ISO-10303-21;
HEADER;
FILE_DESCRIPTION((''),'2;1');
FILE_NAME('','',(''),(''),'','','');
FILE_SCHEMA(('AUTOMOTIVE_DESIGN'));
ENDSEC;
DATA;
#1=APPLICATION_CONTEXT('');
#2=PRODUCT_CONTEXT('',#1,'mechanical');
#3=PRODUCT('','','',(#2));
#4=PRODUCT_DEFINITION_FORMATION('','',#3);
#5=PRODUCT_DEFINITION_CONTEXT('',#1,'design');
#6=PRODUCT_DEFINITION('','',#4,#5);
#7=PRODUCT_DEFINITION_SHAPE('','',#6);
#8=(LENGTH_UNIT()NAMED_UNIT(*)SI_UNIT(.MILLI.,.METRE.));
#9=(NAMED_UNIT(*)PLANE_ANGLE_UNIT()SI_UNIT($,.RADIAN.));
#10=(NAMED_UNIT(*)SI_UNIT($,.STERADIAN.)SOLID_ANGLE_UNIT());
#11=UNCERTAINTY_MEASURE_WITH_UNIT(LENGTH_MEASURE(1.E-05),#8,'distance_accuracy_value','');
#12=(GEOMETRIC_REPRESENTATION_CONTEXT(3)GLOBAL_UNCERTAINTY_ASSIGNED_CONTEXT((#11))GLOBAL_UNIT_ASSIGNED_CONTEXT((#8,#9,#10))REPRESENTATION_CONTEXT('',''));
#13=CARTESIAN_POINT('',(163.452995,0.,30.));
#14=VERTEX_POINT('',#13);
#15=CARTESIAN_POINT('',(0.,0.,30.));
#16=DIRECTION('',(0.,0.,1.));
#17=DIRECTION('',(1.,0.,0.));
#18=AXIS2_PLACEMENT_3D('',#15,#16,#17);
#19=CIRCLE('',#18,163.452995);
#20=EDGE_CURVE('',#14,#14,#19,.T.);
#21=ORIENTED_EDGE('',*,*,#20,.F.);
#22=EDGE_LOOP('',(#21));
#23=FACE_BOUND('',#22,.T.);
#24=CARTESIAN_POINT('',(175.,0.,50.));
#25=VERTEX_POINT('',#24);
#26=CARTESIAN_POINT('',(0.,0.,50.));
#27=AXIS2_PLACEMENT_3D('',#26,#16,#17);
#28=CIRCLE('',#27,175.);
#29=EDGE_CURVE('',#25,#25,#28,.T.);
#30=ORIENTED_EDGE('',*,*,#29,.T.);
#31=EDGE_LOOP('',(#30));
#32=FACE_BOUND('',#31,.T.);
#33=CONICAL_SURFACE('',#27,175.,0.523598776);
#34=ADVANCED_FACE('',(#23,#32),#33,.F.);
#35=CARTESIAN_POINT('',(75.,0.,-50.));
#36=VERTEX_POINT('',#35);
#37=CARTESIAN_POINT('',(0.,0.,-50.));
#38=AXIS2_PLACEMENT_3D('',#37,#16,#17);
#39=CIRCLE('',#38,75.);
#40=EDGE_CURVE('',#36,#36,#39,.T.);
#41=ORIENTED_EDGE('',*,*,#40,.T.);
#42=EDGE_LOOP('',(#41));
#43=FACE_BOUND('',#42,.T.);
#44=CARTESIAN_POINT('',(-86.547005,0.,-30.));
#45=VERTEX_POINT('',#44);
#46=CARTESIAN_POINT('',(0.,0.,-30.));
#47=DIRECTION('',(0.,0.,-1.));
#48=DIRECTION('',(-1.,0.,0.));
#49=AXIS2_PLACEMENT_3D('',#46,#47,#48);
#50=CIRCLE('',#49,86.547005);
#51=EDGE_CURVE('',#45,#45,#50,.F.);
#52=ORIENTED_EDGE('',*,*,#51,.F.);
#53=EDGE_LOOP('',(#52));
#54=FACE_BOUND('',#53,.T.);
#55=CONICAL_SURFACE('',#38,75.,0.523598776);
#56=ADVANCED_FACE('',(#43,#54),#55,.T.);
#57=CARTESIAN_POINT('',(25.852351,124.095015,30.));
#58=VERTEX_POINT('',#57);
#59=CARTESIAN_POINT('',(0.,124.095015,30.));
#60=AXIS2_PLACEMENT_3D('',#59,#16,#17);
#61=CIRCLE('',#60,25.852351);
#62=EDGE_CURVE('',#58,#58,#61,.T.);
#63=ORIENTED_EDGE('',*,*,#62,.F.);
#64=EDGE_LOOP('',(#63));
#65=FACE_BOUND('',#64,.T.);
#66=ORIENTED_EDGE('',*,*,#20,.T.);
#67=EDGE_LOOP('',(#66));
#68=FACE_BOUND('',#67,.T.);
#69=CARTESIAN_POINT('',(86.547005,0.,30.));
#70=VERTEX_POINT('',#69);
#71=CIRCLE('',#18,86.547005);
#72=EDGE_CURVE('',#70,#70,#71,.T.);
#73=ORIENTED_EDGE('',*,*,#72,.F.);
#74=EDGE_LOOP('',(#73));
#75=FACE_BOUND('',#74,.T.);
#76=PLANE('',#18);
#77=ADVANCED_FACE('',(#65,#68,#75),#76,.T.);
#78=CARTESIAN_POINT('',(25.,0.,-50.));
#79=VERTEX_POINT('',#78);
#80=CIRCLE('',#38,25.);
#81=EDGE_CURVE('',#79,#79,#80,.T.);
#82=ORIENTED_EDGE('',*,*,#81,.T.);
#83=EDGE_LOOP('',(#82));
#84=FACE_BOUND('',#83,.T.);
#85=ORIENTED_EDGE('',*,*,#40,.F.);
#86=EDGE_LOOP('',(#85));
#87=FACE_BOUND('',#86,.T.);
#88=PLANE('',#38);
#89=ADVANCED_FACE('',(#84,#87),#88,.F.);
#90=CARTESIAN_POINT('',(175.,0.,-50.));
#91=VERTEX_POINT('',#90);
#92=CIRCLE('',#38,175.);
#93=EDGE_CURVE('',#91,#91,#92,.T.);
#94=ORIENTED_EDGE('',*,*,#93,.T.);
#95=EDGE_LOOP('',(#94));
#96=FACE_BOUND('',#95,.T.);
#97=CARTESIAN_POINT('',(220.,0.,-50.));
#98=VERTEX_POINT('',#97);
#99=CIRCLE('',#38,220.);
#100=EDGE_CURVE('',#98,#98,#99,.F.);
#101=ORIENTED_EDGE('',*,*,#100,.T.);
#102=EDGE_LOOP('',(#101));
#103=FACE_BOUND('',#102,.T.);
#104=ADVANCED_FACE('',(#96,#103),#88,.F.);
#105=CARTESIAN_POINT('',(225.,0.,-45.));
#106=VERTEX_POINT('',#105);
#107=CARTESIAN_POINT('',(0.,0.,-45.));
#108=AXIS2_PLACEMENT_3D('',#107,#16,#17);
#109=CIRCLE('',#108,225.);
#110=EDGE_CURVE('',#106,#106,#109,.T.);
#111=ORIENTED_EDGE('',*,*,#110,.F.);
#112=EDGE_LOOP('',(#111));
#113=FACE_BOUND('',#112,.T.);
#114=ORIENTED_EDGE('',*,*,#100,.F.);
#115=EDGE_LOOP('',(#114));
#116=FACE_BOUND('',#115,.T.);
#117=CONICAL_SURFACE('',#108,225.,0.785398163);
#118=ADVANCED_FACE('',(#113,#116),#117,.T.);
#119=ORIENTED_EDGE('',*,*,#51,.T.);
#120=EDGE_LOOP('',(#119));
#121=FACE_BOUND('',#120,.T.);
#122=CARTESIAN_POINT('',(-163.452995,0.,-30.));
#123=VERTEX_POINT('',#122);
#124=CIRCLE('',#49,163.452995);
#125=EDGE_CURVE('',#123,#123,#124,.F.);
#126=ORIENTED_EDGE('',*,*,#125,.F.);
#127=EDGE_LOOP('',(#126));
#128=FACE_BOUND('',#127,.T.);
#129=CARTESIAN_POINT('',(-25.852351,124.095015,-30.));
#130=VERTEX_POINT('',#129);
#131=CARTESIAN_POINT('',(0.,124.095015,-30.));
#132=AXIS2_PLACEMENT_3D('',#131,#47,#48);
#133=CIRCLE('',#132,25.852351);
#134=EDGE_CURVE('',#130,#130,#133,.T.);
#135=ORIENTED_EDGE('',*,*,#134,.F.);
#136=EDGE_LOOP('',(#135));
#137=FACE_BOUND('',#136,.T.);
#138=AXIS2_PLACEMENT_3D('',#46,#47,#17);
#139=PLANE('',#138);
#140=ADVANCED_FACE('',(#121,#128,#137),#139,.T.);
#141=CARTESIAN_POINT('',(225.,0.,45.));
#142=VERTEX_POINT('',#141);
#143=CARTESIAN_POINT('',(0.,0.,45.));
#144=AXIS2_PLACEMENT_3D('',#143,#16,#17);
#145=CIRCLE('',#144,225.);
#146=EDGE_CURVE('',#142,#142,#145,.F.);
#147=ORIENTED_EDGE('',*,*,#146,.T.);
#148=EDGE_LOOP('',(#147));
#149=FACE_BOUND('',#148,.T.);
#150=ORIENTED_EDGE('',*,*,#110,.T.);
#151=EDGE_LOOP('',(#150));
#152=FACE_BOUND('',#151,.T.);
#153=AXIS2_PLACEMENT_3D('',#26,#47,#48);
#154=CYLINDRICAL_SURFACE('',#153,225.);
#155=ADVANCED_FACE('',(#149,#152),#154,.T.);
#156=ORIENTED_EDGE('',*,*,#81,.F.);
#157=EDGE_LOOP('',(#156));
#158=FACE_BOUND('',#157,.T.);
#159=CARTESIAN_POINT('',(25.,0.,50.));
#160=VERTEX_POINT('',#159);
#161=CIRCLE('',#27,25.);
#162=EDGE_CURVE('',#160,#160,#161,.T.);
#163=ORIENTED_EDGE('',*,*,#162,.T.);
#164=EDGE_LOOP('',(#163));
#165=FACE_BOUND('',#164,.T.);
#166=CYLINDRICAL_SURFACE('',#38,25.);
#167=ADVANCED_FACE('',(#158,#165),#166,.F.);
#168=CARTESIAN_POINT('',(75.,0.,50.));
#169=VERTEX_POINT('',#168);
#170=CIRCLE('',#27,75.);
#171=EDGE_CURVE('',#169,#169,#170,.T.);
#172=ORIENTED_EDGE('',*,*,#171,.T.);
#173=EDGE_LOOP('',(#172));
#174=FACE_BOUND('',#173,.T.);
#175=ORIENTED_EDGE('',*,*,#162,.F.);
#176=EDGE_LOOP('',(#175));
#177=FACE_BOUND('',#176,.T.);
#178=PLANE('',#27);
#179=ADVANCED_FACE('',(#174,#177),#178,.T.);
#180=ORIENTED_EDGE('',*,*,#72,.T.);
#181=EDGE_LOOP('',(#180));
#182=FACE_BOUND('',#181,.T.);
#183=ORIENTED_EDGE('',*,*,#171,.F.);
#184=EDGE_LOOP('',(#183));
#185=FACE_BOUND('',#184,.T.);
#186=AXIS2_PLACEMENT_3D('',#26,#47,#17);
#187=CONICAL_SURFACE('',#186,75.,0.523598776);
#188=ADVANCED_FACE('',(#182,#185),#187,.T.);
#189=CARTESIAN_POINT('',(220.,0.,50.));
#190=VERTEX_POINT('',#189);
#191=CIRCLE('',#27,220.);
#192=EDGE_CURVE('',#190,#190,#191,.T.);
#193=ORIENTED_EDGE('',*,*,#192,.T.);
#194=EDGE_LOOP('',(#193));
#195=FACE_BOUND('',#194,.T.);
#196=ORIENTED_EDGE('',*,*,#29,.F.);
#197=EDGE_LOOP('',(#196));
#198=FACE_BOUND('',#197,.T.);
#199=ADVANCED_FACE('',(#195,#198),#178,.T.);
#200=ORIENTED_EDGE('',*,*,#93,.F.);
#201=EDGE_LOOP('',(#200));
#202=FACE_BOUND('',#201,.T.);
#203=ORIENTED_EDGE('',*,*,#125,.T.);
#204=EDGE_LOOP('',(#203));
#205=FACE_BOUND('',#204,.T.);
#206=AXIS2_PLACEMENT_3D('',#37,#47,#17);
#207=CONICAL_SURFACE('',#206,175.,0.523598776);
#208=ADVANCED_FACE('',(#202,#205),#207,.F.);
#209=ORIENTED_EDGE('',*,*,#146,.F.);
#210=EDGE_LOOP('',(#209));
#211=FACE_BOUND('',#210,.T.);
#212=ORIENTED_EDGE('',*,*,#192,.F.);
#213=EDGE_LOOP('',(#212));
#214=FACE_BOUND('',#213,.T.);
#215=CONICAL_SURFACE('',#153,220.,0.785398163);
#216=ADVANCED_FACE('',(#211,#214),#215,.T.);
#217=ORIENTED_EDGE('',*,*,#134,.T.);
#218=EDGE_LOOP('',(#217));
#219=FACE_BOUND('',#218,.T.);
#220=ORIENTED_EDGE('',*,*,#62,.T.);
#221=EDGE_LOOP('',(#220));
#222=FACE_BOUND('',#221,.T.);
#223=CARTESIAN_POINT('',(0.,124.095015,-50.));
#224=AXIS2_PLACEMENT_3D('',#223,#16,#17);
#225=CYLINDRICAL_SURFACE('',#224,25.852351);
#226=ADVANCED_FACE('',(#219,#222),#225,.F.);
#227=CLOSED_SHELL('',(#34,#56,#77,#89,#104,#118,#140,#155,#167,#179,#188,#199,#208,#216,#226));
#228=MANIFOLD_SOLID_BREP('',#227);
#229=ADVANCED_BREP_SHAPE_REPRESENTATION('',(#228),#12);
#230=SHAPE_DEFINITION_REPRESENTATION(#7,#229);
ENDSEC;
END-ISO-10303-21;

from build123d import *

# Parameters (mm, degrees)
SKETCH_1_R                 = 225
EXTRUDE_1_DEPTH            = 50
SKETCH_2_R                 = 25
CUT_EXTRUDE_1_DEPTH        = 334.541601603
SKETCH_3_R                 = 175
SKETCH_3_R_2               = 75
CUT_EXTRUDE_3_DEPTH        = 20
CUT_EXTRUDE_3_DRAFT        = -30
MIRROR_1_COPY_1_SKETCH_R   = 175
MIRROR_1_COPY_1_SKETCH_R_2 = 75
MIRROR_1_COPY_1_DEPTH      = 20
MIRROR_1_COPY_1_DRAFT      = -30
CHAMFER_1_SIZE             = 5
SKETCH_4_R                 = 25.852351377
CUT_EXTRUDE_4_DEPTH        = 329.10059433


with BuildPart() as part:
    # 草图1 → 凸台-拉伸1 (new, symmetric)
    with BuildSketch(Plane.XY):
        Circle(SKETCH_1_R)
    extrude(amount=EXTRUDE_1_DEPTH, both=True)

    # 草图2 → 切除-拉伸1 (cut, through all)
    with BuildSketch(Plane.XY.offset(50)):
        Circle(SKETCH_2_R)
    extrude(amount=-CUT_EXTRUDE_1_DEPTH, mode=Mode.SUBTRACT)


with BuildPart() as cut_extrude_3_tool:
    # 草图3 → 切除-拉伸3 (with draft: the straight prism first)
    with BuildSketch(Plane.XY.offset(50)):
        Circle(SKETCH_3_R)
        Circle(SKETCH_3_R_2, mode=Mode.SUBTRACT)
    extrude(amount=-CUT_EXTRUDE_3_DEPTH)
    # 切除-拉伸3: the draft: its side faces are tilted about the plane it starts from
    cut_extrude_3_sides = [cut_extrude_3_tool.faces().sort_by_distance(p)[0] for p in [
        (-175, 0, 40),
        (-75, 0, 40),
    ]]
    draft(cut_extrude_3_sides, Plane.XY.offset(50), CUT_EXTRUDE_3_DRAFT)


with BuildPart() as part_1:
    add(part.part)

    # 切除-拉伸3: cut by cut_extrude_3_tool
    add(cut_extrude_3_tool.part, mode=Mode.SUBTRACT)


with BuildPart() as mirror_1_copy_1_tool:
    # 镜向1 copy 1 sketch → 镜向1 copy 1 (with draft: the straight prism first)
    with BuildSketch(Plane(origin=(0, 0, -50), x_dir=(1, 0, 0), z_dir=(0, 0, -1))):
        Circle(MIRROR_1_COPY_1_SKETCH_R)
        Circle(MIRROR_1_COPY_1_SKETCH_R_2, mode=Mode.SUBTRACT)
    extrude(amount=-MIRROR_1_COPY_1_DEPTH)
    # 镜向1 copy 1: the draft: its side faces are tilted about the plane it starts from
    mirror_1_copy_1_sides = [mirror_1_copy_1_tool.faces().sort_by_distance(p)[0] for p in [
        (-175, 0, -40),
        (-75, 0, -40),
    ]]
    draft(mirror_1_copy_1_sides, Plane(origin=(0, 0, -50), x_dir=(1, 0, 0), z_dir=(0, 0, -1)), MIRROR_1_COPY_1_DRAFT)


with BuildPart() as part_2:
    add(part_1.part)

    # 镜向1 copy 1: cut by mirror_1_copy_1_tool
    add(mirror_1_copy_1_tool.part, mode=Mode.SUBTRACT)

    # 倒角1
    chamfer_1_edges = [part_2.edges().sort_by_distance(p)[0] for p in [
        (-225, 0, -50),
        (-225, 0, 50),
    ]]
    chamfer(chamfer_1_edges, length=CHAMFER_1_SIZE)

    # 草图4 → 切除-拉伸4 (cut, through all)
    with BuildSketch(Plane.XY.offset(30)):
        with Locations((0, 124.095015256)):
            Circle(SKETCH_4_R)
    extrude(amount=-CUT_EXTRUDE_4_DEPTH, mode=Mode.SUBTRACT)


solid = part_2.part
